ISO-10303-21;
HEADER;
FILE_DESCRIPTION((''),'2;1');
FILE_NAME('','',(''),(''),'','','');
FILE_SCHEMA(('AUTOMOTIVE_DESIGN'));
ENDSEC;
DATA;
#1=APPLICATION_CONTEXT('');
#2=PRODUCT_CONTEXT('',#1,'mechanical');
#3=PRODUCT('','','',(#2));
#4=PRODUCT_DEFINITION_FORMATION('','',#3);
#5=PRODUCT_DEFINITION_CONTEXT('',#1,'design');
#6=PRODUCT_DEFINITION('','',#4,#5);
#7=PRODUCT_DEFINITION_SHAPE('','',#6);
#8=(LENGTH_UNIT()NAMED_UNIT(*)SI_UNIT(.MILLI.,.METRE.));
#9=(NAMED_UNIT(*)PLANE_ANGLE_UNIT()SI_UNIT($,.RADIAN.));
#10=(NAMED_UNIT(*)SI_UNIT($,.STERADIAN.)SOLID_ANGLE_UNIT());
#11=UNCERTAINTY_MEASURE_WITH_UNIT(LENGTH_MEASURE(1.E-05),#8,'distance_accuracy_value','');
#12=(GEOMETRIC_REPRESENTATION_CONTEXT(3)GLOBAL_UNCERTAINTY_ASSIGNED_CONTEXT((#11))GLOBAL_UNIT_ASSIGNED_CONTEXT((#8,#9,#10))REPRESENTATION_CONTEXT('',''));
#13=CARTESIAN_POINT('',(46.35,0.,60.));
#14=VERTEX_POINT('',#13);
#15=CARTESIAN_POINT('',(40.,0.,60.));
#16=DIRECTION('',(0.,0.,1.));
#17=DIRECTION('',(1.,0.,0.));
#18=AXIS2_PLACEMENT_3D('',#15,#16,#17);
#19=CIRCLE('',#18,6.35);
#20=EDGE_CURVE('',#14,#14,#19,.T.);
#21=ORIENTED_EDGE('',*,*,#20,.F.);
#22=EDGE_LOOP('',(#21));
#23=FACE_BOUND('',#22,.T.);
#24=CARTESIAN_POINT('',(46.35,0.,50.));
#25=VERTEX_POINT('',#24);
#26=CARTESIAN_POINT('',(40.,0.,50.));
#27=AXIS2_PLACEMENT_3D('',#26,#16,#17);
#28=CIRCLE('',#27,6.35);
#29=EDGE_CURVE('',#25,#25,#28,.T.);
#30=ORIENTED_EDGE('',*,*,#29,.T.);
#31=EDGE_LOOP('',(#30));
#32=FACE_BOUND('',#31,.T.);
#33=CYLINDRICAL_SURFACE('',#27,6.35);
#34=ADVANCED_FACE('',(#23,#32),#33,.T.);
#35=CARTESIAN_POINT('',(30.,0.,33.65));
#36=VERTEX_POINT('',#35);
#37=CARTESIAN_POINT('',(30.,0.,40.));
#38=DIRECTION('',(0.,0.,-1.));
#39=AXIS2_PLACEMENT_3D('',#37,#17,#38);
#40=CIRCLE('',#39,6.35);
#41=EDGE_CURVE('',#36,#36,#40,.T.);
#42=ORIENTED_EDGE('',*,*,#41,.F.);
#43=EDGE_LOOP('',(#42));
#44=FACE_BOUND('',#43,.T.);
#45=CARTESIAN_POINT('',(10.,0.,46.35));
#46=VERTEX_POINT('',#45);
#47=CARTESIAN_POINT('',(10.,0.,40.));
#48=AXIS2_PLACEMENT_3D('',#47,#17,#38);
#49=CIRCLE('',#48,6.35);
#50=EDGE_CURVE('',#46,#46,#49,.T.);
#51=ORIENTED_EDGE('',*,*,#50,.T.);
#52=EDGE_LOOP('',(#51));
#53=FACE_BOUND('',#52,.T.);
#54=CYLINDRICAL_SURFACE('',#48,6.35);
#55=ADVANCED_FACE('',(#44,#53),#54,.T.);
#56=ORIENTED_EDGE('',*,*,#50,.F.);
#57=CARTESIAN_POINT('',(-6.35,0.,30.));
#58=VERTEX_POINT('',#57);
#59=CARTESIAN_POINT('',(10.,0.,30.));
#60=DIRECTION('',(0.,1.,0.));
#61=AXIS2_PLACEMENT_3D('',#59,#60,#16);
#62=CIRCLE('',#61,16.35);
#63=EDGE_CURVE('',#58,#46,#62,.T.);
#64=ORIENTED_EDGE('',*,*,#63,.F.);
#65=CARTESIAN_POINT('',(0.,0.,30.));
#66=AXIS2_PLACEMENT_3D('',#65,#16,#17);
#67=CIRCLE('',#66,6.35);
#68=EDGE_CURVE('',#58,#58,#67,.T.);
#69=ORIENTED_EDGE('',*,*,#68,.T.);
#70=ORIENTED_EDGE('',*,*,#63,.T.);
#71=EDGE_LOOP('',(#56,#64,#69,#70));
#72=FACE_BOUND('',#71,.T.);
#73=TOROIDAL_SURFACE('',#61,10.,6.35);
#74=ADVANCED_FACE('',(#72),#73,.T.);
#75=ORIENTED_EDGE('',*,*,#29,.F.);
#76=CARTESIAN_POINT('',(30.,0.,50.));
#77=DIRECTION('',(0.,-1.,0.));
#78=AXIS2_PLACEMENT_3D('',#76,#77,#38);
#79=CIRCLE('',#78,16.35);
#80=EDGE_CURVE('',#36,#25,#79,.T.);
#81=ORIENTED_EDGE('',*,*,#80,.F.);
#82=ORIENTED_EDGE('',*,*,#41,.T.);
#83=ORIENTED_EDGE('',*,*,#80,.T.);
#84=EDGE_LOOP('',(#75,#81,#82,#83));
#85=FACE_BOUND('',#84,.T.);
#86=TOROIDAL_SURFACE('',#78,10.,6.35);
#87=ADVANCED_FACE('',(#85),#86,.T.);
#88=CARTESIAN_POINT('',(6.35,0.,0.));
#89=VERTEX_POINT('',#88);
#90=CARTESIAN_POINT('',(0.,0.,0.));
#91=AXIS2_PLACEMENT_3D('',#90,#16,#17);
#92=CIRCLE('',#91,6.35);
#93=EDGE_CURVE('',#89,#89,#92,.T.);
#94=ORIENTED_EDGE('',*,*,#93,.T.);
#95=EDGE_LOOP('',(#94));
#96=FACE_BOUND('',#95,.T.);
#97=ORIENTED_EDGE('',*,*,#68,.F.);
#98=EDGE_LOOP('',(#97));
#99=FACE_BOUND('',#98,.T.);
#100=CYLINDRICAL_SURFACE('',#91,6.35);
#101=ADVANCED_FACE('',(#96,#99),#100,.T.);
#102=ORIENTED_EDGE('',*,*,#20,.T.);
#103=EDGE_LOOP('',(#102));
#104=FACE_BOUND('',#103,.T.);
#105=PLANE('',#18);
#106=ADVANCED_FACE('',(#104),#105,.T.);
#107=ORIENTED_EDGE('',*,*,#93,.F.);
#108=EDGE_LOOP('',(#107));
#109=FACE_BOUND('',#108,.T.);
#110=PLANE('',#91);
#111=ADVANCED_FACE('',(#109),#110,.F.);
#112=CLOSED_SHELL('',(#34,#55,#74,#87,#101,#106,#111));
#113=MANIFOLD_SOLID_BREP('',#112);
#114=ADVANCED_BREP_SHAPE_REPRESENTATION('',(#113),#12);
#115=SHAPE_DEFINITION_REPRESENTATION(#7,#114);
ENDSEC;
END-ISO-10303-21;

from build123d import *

# Parameters (mm, degrees)
CROQUIS2_R = 6.35


with BuildPart() as part:
    # Barrer1: sweep along a path in Croquis1
    with BuildLine(Plane(origin=(0, 0, 0), x_dir=(1, 0, 0), z_dir=(0, 1, 0))) as barrer1_path:
        Line((0, 0), (0, -30))
        ThreePointArc((0, -30), (2.928932188, -37.071067812), (10, -40))
        Line((10, -40), (30, -40))
        ThreePointArc((30, -40), (37.071067812, -42.928932188), (40, -50))
        Line((40, -50), (40, -60))
    # Croquis2 → Barrer1 (sweep)
    with BuildSketch(Plane.XY):
        Circle(CROQUIS2_R)
    sweep(path=barrer1_path.line)


solid = part.part
